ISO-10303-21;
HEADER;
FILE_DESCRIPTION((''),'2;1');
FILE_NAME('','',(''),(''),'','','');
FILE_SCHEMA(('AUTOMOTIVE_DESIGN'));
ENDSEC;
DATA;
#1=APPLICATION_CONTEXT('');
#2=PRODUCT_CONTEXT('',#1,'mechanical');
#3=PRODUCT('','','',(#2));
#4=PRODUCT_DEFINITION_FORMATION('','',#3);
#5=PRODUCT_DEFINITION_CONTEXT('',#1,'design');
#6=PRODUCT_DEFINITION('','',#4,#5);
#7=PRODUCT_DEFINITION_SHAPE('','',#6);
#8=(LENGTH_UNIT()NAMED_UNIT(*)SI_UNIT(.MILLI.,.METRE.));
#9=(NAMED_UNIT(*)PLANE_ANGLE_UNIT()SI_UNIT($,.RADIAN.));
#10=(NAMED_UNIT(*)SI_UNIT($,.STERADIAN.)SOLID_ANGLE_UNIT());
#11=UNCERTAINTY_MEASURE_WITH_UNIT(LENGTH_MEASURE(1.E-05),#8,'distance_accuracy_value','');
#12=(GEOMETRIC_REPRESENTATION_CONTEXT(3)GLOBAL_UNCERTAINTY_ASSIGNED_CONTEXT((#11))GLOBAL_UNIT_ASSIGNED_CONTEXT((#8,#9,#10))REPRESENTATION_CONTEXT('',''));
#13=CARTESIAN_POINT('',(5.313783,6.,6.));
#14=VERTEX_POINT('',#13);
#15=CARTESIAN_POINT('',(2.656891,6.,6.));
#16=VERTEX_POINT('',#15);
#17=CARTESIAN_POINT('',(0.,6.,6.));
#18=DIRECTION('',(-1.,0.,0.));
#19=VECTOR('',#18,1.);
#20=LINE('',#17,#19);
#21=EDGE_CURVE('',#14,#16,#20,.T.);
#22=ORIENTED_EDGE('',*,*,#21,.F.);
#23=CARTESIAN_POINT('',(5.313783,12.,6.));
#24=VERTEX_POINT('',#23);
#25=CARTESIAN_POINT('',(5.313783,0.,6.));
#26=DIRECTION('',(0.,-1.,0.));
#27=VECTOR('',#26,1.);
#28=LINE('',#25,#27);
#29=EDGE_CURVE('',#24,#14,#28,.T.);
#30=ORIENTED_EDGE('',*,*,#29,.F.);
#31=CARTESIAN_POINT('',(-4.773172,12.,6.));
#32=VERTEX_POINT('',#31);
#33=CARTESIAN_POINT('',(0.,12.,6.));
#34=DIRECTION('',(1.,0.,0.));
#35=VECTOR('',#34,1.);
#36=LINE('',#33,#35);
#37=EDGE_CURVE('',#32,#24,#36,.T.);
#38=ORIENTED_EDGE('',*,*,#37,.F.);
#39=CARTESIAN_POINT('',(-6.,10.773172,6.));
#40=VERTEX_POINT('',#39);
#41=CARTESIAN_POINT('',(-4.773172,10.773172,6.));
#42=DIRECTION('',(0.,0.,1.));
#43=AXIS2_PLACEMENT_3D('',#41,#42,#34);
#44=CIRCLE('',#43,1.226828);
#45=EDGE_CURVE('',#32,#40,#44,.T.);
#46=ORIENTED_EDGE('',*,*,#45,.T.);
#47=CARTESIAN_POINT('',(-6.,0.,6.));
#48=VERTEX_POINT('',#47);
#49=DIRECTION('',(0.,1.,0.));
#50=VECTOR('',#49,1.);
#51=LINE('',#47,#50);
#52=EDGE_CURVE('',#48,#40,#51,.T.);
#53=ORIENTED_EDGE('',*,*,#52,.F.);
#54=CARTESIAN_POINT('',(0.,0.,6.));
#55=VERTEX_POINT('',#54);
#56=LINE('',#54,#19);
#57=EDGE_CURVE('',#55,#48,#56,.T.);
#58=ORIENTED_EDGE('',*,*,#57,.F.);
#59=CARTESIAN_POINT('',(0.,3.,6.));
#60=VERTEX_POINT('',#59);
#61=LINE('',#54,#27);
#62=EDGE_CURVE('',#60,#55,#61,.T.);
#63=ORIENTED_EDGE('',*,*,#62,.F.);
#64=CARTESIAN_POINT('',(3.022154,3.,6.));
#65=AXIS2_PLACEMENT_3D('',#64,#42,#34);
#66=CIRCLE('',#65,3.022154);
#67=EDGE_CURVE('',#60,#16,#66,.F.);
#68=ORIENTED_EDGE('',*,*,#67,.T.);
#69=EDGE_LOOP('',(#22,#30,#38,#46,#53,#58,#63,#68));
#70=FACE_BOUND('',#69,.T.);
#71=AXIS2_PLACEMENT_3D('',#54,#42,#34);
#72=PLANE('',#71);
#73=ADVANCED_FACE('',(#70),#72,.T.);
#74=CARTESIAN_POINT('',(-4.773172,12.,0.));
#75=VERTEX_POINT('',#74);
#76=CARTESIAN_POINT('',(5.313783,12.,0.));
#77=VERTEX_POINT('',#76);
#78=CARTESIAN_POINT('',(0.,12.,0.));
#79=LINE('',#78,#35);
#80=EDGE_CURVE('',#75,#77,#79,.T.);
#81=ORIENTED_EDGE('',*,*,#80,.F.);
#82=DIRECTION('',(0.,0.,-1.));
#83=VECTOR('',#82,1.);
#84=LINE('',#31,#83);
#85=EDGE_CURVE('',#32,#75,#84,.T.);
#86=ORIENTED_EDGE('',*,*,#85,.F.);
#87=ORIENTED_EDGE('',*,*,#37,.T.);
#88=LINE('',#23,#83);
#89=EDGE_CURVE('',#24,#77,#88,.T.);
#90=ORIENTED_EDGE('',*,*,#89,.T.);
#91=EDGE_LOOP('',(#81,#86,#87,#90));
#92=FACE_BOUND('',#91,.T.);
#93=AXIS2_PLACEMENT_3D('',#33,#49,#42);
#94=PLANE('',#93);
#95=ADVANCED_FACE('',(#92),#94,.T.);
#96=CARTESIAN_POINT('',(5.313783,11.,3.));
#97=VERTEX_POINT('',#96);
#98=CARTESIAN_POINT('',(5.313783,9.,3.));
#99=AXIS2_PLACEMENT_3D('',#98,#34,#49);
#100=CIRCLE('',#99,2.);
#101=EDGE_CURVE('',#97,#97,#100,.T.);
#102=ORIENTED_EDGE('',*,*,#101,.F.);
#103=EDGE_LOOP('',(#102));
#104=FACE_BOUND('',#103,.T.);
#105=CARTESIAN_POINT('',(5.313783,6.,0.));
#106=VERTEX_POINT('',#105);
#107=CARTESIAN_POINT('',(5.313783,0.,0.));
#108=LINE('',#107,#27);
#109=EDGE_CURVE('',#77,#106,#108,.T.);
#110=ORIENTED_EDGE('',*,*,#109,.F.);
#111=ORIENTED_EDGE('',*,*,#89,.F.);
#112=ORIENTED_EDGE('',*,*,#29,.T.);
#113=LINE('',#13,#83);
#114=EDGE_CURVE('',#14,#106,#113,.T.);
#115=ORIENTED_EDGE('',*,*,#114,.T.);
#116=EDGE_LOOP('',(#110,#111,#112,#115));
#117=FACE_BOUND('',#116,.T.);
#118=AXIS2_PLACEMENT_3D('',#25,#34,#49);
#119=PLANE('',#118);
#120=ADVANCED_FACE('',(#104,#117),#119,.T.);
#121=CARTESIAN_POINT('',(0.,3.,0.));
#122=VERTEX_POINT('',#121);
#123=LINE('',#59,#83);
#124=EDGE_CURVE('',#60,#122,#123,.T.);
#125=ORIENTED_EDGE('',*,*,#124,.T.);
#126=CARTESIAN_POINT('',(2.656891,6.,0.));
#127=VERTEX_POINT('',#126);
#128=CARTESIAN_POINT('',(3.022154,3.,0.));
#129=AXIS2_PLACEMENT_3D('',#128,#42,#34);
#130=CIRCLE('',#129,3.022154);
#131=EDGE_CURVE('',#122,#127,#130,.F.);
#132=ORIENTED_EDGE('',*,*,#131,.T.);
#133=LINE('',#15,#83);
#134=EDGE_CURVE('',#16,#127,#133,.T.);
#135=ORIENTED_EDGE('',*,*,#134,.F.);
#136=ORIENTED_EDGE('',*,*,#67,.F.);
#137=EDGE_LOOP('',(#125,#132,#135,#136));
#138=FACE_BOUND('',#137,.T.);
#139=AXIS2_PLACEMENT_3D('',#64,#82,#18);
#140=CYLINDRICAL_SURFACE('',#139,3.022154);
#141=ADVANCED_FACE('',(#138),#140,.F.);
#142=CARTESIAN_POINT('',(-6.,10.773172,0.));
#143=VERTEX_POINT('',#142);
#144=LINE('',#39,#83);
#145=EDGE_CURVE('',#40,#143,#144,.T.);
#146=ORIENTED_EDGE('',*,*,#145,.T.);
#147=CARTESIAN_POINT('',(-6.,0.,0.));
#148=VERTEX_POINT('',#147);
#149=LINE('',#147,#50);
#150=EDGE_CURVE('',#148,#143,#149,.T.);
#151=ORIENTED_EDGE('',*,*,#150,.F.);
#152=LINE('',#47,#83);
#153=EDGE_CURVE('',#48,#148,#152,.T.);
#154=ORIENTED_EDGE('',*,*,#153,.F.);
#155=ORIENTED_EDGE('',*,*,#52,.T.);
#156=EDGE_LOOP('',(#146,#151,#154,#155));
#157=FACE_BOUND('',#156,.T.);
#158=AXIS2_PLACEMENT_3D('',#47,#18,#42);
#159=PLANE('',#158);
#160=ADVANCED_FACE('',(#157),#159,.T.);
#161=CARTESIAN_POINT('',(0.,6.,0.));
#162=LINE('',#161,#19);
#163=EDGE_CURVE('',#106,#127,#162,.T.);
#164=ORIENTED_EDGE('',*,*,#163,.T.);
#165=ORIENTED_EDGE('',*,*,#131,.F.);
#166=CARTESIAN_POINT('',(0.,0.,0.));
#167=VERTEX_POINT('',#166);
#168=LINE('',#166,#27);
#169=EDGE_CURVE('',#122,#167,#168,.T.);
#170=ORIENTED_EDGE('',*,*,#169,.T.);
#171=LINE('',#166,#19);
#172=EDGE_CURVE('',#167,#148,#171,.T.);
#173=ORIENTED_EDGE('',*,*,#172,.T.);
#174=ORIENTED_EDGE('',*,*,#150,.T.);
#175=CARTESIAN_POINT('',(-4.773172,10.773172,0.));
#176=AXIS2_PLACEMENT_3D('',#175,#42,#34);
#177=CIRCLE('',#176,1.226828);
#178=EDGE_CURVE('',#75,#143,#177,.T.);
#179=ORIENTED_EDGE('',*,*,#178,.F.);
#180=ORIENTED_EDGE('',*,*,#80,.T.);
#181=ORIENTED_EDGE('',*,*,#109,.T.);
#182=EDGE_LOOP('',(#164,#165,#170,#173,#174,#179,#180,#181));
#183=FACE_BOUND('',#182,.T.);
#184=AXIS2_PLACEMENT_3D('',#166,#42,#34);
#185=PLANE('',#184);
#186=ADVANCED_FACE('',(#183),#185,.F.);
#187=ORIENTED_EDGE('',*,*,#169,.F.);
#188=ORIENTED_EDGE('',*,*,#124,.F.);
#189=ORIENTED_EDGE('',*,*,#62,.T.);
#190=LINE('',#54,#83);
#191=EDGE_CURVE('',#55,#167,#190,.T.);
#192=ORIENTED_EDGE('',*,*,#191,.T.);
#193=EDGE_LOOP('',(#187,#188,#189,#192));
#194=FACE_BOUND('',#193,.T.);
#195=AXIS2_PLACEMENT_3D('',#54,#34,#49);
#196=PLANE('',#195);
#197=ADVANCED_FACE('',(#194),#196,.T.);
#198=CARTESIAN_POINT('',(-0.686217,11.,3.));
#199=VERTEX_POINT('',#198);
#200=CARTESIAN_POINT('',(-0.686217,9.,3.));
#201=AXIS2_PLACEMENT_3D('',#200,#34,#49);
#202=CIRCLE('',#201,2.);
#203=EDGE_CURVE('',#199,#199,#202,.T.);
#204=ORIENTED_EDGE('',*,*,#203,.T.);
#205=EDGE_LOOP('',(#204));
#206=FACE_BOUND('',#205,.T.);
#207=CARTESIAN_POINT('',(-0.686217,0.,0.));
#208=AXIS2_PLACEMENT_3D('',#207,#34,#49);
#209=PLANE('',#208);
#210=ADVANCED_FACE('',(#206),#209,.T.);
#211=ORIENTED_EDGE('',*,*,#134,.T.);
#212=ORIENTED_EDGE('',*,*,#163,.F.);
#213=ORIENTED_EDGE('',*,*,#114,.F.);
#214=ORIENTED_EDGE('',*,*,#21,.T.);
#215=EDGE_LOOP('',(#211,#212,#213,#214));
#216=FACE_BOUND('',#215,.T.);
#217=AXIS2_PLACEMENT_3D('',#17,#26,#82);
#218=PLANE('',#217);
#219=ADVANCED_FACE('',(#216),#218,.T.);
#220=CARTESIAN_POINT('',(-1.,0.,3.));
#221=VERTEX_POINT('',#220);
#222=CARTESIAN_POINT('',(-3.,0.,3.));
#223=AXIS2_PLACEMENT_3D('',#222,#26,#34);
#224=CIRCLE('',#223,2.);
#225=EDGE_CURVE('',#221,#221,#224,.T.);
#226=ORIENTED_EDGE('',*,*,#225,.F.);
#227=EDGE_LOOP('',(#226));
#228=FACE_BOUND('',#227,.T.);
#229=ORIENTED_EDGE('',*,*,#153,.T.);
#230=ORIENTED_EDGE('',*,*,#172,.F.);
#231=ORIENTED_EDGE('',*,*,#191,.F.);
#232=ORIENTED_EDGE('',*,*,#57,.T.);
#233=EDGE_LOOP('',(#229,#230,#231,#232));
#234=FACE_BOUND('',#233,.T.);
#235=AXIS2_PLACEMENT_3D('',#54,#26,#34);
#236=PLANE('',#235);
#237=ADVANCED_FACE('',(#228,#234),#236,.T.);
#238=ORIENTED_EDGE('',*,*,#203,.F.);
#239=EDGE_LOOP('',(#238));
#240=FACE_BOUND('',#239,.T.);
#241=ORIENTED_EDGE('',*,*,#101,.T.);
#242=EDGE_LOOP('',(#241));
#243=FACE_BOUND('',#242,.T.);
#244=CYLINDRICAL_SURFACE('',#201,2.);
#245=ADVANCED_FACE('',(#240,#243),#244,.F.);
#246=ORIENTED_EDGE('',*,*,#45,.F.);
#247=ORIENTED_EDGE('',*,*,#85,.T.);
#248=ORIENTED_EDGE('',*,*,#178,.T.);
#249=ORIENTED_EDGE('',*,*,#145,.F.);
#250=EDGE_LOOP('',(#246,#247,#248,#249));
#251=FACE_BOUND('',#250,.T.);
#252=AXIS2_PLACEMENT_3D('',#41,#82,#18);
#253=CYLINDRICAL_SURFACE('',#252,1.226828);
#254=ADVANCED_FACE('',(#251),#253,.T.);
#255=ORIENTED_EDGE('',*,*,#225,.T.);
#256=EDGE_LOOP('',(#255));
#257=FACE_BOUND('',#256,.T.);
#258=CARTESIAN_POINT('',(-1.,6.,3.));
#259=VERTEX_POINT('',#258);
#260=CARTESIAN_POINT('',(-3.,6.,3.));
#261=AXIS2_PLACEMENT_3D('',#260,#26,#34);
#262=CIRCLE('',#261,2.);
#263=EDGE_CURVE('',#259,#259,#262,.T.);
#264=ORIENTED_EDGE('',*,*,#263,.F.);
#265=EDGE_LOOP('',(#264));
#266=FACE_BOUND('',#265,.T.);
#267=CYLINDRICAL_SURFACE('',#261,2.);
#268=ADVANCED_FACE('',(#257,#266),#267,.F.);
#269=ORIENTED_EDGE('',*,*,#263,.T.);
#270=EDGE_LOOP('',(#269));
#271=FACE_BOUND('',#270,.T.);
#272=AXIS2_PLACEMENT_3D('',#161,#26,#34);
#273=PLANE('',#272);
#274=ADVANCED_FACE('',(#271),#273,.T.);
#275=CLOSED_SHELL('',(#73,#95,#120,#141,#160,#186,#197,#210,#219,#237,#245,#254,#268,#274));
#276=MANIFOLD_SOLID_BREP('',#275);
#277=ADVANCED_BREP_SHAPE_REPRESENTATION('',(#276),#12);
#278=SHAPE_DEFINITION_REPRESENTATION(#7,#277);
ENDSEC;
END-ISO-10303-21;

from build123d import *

# Parameters (mm, degrees)
BOSS_EXTRUDE2_DEPTH = 6
CUT_EXTRUDE6_DEPTH  = 6
CUT_EXTRUDE7_DEPTH  = 6


with BuildPart() as part:
    # Sketch1 → Boss-Extrude2 (new body)
    with BuildSketch(Plane.XY):
        with BuildLine():
            Line((-4.773172478, 12), (5.313782991, 12))
            Line((5.313782991, 12), (5.313782991, 6))
            Line((5.313782991, 6), (2.656891496, 6))
            ThreePointArc((2.656891496, 6), (0.759711241, 5.003688625), (0, 3))
            Line((0, 3), (0, 0))
            Line((0, 0), (-6, 0))
            Line((-6, 0), (-6, 10.773172478))
            ThreePointArc((-6, 10.773172478), (-5.640670538, 11.640670538), (-4.773172478, 12))
        make_face()
    extrude(amount=BOSS_EXTRUDE2_DEPTH)

    # Sketch5 → Cut-Extrude6 (cut)
    with BuildSketch(Plane(origin=(5.313782991, 0, 0), x_dir=(0, 0, -1), z_dir=(1, 0, 0))):
        with BuildLine():
            ThreePointArc((-1.585786438, 10.414213562), (-4.414213562, 10.414213562), (-4.414213562, 7.585786438))
            Line((-4.414213562, 7.585786438), (-1.585786438, 10.414213562))
        make_face()
        with BuildLine():
            Line((-1.585786438, 10.414213562), (-4.414213562, 7.585786438))
            ThreePointArc((-4.414213562, 7.585786438), (-2.234633135, 7.152240935), (-1, 9))
            ThreePointArc((-1, 9), (-1.152240935, 9.765366865), (-1.585786438, 10.414213562))
        make_face()
    extrude(amount=-CUT_EXTRUDE6_DEPTH, mode=Mode.SUBTRACT)

    # Sketch6 → Cut-Extrude7 (cut)
    with BuildSketch(Plane.XZ):
        with BuildLine():
            ThreePointArc((-1.585786438, 4.414213562), (-4.414213562, 4.414213562), (-4.414213562, 1.585786438))
            Line((-4.414213562, 1.585786438), (-1.585786438, 4.414213562))
        make_face()
        with BuildLine():
            Line((-1.585786438, 4.414213562), (-4.414213562, 1.585786438))
            ThreePointArc((-4.414213562, 1.585786438), (-2.234633135, 1.152240935), (-1, 3))
            ThreePointArc((-1, 3), (-1.152240935, 3.765366865), (-1.585786438, 4.414213562))
        make_face()
    extrude(amount=-CUT_EXTRUDE7_DEPTH, mode=Mode.SUBTRACT)


solid = part.part
